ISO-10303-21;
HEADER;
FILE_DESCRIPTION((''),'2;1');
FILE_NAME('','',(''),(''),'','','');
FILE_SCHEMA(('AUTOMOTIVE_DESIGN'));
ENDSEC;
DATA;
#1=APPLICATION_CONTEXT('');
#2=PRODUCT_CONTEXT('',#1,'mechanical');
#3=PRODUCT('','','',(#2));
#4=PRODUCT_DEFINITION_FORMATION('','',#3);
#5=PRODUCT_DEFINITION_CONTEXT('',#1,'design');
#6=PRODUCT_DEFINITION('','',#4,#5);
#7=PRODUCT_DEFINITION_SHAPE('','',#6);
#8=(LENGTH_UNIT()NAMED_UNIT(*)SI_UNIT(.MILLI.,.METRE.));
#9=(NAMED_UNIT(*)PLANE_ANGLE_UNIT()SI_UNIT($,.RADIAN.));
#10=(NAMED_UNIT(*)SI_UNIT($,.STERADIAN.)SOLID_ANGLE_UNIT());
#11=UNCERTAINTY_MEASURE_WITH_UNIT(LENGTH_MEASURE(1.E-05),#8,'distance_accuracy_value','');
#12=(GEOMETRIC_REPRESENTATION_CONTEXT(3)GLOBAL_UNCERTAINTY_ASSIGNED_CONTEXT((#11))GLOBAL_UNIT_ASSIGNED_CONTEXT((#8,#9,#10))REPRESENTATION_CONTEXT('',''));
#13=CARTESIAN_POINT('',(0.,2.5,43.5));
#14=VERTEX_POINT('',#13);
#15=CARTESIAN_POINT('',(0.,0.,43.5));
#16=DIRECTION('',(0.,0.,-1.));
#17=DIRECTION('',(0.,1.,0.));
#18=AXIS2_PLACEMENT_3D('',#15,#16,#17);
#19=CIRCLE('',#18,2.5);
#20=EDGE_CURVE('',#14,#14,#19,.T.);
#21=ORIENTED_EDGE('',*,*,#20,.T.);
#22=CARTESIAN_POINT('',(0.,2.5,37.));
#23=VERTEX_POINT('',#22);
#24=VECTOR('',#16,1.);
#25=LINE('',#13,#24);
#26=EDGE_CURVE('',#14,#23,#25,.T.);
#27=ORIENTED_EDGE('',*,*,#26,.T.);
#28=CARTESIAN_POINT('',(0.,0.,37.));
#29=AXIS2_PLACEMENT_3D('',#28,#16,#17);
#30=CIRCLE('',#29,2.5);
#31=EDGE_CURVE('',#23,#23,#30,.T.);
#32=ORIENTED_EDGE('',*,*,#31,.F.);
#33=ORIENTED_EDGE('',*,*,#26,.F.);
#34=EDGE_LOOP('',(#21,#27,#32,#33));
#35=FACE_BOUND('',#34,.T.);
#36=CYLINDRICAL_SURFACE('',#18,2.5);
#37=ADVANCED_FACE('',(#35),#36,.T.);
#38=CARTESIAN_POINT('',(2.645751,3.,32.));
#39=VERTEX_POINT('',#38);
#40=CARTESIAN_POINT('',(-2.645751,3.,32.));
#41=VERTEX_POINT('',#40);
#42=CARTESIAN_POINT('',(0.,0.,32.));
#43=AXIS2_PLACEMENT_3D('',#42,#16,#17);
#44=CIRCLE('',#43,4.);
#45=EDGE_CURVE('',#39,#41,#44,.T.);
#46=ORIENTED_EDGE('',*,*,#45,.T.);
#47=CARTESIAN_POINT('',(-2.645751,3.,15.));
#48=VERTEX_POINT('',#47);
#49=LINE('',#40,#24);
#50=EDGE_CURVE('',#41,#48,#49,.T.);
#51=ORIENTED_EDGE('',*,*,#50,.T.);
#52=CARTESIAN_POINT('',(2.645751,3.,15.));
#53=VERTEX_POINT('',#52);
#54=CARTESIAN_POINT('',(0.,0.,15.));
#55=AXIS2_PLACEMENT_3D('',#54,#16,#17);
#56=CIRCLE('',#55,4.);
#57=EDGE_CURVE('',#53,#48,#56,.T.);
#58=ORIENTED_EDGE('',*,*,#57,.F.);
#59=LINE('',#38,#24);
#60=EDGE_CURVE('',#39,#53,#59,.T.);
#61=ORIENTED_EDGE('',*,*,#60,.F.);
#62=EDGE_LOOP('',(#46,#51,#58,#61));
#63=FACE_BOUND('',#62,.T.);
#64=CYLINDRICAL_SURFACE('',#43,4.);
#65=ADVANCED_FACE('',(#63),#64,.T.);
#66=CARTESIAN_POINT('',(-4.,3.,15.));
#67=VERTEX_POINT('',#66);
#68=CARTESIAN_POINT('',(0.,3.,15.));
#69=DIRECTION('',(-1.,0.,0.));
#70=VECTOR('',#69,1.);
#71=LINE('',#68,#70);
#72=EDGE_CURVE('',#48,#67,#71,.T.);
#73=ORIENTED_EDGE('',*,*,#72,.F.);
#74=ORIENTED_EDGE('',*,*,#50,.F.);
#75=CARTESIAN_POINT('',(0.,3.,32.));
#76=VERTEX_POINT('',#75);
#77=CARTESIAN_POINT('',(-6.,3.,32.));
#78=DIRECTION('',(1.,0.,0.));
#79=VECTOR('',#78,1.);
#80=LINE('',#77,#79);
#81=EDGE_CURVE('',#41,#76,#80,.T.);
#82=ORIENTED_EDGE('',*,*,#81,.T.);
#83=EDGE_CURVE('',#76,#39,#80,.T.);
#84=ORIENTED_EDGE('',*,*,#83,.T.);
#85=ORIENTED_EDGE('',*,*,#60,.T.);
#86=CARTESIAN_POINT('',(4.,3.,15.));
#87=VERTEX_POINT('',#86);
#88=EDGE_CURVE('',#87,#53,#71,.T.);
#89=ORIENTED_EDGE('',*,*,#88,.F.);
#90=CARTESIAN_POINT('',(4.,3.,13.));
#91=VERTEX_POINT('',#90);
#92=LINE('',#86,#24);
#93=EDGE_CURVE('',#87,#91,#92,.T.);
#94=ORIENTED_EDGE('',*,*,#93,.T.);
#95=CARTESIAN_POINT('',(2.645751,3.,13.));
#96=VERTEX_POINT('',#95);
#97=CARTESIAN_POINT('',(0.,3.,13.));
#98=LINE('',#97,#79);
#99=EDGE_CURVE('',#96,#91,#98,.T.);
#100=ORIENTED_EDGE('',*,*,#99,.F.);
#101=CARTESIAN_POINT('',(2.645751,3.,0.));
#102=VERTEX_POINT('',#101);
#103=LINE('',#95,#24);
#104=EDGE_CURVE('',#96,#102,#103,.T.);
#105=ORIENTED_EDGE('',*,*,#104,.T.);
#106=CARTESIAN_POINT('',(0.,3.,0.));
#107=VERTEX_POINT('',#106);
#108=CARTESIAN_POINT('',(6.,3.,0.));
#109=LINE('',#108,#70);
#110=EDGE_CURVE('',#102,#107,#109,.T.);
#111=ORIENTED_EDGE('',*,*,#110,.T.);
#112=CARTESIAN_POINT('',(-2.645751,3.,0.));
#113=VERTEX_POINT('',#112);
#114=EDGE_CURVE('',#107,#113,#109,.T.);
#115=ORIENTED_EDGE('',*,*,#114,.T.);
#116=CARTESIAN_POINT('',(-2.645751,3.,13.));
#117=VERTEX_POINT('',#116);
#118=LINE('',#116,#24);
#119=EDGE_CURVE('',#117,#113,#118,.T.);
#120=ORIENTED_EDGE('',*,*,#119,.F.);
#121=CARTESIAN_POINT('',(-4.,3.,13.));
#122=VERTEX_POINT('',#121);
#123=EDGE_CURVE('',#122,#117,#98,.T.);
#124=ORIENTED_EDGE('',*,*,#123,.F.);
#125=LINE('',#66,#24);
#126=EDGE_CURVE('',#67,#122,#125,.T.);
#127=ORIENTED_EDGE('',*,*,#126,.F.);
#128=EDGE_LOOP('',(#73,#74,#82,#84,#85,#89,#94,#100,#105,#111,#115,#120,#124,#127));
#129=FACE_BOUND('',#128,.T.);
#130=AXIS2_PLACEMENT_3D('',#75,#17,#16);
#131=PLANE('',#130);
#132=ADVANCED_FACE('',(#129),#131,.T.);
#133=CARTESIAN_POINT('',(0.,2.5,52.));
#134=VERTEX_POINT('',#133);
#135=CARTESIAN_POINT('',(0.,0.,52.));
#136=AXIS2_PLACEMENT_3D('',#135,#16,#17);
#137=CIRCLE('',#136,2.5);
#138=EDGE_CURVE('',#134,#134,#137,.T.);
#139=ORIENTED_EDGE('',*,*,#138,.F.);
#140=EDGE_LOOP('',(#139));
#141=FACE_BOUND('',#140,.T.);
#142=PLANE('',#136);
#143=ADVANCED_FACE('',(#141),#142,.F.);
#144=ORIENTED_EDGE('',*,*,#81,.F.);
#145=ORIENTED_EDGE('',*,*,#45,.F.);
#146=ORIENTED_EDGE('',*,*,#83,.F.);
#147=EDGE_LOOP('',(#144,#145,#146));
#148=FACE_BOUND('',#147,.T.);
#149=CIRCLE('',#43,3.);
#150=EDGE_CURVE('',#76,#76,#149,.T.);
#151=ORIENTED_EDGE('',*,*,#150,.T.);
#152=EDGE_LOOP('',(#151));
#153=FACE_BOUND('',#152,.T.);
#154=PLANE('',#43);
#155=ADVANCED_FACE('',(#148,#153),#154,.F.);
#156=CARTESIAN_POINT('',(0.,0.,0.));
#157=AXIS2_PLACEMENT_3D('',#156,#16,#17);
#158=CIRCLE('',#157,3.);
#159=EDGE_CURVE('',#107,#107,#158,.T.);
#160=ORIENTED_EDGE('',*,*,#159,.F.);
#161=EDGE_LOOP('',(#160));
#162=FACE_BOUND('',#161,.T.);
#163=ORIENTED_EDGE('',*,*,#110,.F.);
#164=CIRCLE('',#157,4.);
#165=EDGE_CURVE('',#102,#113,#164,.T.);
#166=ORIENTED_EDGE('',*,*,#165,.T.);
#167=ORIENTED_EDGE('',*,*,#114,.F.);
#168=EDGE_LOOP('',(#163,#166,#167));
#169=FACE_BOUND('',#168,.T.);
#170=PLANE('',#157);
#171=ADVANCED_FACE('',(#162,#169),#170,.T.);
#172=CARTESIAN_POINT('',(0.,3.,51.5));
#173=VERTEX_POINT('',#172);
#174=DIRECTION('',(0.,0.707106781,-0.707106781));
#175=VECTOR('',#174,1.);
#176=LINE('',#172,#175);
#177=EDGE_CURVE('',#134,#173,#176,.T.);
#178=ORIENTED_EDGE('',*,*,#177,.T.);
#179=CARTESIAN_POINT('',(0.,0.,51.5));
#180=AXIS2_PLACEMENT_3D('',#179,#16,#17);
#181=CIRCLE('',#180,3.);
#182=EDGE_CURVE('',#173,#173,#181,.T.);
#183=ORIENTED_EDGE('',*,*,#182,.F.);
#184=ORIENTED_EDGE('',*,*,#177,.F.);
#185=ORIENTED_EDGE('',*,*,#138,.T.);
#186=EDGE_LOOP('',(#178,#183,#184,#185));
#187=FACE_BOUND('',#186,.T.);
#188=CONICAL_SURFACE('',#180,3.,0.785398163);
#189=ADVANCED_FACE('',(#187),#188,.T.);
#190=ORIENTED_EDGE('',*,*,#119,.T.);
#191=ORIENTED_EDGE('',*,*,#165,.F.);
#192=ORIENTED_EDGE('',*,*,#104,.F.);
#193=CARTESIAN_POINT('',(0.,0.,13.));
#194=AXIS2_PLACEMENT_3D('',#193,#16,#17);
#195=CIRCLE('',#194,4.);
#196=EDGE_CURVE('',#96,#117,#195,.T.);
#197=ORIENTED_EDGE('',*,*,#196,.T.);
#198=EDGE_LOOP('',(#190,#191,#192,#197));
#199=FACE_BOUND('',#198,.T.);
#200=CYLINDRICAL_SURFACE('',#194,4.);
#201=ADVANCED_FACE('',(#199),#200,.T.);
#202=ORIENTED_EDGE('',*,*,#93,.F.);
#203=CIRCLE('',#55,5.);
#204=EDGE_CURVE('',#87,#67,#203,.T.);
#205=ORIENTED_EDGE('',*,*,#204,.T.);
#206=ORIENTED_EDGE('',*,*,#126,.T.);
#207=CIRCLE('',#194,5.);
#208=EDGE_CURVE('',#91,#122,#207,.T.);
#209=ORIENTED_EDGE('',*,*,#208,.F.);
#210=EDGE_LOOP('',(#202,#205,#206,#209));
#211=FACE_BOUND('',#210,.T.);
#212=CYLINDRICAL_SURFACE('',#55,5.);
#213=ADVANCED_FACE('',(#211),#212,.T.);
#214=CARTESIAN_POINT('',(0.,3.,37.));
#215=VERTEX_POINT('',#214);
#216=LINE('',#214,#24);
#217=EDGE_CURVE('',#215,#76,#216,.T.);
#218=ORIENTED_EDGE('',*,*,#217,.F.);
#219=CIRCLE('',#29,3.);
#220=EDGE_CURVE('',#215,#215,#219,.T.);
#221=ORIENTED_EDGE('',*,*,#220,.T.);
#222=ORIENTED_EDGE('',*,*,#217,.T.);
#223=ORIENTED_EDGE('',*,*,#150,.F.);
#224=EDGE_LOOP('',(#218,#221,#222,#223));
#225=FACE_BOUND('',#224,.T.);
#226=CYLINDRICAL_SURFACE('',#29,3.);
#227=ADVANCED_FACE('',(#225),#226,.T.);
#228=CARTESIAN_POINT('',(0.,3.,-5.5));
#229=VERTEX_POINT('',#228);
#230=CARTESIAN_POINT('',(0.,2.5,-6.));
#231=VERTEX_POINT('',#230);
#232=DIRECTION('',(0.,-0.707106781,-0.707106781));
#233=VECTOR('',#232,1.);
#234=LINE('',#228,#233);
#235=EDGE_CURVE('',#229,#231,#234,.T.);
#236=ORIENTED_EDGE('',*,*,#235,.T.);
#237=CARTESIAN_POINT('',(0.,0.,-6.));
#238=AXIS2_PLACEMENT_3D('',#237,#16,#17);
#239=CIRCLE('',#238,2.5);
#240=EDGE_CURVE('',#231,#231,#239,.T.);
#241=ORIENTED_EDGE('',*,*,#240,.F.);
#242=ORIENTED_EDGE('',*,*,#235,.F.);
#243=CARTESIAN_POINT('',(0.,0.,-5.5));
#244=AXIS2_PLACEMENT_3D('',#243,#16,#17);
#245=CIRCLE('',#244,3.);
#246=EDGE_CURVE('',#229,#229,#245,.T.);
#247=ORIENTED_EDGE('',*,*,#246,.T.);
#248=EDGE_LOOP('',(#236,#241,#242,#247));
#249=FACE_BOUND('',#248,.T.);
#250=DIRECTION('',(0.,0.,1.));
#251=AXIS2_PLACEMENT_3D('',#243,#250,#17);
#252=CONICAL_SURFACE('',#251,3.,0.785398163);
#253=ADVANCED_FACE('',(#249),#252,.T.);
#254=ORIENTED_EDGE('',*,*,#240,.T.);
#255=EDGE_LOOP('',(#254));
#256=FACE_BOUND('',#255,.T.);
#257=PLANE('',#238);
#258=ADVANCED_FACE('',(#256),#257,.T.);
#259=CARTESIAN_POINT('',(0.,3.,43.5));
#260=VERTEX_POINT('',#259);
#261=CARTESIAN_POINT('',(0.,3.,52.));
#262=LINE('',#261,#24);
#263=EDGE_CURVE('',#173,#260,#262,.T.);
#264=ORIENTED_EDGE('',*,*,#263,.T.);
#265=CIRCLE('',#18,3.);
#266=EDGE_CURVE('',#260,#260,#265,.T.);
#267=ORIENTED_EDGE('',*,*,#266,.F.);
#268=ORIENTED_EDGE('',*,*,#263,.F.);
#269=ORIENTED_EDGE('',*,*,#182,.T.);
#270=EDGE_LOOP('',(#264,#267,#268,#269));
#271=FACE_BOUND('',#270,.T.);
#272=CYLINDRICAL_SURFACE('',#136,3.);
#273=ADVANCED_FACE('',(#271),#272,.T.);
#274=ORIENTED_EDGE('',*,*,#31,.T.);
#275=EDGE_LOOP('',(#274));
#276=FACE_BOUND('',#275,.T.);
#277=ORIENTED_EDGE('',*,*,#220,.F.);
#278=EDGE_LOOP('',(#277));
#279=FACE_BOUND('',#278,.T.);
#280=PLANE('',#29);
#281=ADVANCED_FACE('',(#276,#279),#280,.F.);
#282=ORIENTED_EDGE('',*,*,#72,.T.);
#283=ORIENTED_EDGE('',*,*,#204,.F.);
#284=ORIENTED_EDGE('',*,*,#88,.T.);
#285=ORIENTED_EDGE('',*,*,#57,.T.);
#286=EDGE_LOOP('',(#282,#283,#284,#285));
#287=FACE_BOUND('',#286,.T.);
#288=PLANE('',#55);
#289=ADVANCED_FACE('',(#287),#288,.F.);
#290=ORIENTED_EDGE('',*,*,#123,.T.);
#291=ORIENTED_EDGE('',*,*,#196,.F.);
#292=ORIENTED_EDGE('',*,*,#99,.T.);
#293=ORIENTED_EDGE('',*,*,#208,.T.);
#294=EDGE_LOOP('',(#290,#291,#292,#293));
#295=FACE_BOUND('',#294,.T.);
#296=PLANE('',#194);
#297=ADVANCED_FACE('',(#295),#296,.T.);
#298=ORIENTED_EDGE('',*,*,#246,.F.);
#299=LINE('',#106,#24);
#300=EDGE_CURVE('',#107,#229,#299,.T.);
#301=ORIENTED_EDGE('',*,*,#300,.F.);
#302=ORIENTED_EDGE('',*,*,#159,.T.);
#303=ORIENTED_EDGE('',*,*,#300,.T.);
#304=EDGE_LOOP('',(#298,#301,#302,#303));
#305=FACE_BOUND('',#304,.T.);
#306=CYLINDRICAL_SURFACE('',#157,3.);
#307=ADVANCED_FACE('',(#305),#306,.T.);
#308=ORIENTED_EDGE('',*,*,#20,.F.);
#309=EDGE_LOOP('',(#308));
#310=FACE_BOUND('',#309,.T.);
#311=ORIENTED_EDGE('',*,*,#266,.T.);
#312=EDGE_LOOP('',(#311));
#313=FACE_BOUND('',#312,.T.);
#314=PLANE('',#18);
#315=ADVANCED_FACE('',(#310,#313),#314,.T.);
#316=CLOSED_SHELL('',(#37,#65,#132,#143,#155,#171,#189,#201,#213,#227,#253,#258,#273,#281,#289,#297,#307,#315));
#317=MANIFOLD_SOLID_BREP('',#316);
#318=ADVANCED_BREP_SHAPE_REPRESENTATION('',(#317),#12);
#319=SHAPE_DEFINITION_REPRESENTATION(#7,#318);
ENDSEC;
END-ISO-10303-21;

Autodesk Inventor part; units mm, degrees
ref_plane "YZ Plane" through (0, 0, 0) normal (1, 0, 0) x (0, 1, 0)
ref_plane "XZ Plane" through (0, 0, 0) normal (0, 1, 0) x (-1, 0, 0)
ref_plane "XY Plane" through (0, 0, 0) normal (0, 0, 1) x (1, 0, 0)
sketch "Esquisse1" plane through (0, 0, 0) normal (1, 0, 0) x (0, 1, 0)
  line L0 (0, 52) -> (3, 52)
  line L1 (3, 32) -> (4, 32)
  line L2 (4, 32) -> (4, 15)
  line L3 (4, 0) -> (3, 0)
  line L4 (3, 0) -> (3, -6)
  line L5 (3, -6) -> (0, -6)
  line L6 (0, 64.5811) -> (0, -64.5811)
  line L7 (4, 15) -> (5, 15)
  line L8 (5, 15) -> (5, 13)
  line L9 (5, 13) -> (4, 13)
  line L10 (4, 13) -> (4, 0)
  line L11 (3, 43.5) -> (2.5, 43.5)
  line L12 (2.5, 43.5) -> (2.5, 37)
  line L13 (2.5, 37) -> (3, 37)
  line L14 (3, 37) -> (3, 43.5) construction
  line L15 (3, 52) -> (3, 43.5)
  line L16 (3, 37) -> (3, 32)
  point P0 (0, 0)
  dimension "d1" = 6
  dimension "d3" = 8
  dimension "d4" = 2
  dimension "d5" = 10
  dimension "d6" = 13
  dimension "d7" = 17
  dimension "d8" = 20
  dimension "d9" = 6
  dimension "d16" = 0.5
  dimension "d17" = 8.5
  dimension "d18" = 5
revolve "Révolution1" add sketch "Esquisse1" angle 360 about axis through (0, 0, 64.5811) along (0, 0, -1)
sketch "Esquisse2" plane through (0, 0, 0) normal (1, 0, 0) x (0, 1, 0)
  line L0 (7, 32) -> (3, 32)
  line L1 (3, 32) -> (3, 0)
  line L2 (3, 0) -> (7, 0)
  line L3 (7, 0) -> (7, 32)
  line L4 (-4, 0) -> (4, 0) projected
  line L5 (-4, 32) -> (4, 32) projected
  point P0 (0, 0)
  point P1 (0, 0)
  dimension "d11" = 3
  dimension "d12" = 4
extrude "Extrusion1" cut sketch "Esquisse2" along normal through all both and the other way through all
chamfer "Chanfrein1" distance 0.5 angle 45 2 edges at (0, -3, 52) (0, -3, -6)
properties part number "arbre_roue"
